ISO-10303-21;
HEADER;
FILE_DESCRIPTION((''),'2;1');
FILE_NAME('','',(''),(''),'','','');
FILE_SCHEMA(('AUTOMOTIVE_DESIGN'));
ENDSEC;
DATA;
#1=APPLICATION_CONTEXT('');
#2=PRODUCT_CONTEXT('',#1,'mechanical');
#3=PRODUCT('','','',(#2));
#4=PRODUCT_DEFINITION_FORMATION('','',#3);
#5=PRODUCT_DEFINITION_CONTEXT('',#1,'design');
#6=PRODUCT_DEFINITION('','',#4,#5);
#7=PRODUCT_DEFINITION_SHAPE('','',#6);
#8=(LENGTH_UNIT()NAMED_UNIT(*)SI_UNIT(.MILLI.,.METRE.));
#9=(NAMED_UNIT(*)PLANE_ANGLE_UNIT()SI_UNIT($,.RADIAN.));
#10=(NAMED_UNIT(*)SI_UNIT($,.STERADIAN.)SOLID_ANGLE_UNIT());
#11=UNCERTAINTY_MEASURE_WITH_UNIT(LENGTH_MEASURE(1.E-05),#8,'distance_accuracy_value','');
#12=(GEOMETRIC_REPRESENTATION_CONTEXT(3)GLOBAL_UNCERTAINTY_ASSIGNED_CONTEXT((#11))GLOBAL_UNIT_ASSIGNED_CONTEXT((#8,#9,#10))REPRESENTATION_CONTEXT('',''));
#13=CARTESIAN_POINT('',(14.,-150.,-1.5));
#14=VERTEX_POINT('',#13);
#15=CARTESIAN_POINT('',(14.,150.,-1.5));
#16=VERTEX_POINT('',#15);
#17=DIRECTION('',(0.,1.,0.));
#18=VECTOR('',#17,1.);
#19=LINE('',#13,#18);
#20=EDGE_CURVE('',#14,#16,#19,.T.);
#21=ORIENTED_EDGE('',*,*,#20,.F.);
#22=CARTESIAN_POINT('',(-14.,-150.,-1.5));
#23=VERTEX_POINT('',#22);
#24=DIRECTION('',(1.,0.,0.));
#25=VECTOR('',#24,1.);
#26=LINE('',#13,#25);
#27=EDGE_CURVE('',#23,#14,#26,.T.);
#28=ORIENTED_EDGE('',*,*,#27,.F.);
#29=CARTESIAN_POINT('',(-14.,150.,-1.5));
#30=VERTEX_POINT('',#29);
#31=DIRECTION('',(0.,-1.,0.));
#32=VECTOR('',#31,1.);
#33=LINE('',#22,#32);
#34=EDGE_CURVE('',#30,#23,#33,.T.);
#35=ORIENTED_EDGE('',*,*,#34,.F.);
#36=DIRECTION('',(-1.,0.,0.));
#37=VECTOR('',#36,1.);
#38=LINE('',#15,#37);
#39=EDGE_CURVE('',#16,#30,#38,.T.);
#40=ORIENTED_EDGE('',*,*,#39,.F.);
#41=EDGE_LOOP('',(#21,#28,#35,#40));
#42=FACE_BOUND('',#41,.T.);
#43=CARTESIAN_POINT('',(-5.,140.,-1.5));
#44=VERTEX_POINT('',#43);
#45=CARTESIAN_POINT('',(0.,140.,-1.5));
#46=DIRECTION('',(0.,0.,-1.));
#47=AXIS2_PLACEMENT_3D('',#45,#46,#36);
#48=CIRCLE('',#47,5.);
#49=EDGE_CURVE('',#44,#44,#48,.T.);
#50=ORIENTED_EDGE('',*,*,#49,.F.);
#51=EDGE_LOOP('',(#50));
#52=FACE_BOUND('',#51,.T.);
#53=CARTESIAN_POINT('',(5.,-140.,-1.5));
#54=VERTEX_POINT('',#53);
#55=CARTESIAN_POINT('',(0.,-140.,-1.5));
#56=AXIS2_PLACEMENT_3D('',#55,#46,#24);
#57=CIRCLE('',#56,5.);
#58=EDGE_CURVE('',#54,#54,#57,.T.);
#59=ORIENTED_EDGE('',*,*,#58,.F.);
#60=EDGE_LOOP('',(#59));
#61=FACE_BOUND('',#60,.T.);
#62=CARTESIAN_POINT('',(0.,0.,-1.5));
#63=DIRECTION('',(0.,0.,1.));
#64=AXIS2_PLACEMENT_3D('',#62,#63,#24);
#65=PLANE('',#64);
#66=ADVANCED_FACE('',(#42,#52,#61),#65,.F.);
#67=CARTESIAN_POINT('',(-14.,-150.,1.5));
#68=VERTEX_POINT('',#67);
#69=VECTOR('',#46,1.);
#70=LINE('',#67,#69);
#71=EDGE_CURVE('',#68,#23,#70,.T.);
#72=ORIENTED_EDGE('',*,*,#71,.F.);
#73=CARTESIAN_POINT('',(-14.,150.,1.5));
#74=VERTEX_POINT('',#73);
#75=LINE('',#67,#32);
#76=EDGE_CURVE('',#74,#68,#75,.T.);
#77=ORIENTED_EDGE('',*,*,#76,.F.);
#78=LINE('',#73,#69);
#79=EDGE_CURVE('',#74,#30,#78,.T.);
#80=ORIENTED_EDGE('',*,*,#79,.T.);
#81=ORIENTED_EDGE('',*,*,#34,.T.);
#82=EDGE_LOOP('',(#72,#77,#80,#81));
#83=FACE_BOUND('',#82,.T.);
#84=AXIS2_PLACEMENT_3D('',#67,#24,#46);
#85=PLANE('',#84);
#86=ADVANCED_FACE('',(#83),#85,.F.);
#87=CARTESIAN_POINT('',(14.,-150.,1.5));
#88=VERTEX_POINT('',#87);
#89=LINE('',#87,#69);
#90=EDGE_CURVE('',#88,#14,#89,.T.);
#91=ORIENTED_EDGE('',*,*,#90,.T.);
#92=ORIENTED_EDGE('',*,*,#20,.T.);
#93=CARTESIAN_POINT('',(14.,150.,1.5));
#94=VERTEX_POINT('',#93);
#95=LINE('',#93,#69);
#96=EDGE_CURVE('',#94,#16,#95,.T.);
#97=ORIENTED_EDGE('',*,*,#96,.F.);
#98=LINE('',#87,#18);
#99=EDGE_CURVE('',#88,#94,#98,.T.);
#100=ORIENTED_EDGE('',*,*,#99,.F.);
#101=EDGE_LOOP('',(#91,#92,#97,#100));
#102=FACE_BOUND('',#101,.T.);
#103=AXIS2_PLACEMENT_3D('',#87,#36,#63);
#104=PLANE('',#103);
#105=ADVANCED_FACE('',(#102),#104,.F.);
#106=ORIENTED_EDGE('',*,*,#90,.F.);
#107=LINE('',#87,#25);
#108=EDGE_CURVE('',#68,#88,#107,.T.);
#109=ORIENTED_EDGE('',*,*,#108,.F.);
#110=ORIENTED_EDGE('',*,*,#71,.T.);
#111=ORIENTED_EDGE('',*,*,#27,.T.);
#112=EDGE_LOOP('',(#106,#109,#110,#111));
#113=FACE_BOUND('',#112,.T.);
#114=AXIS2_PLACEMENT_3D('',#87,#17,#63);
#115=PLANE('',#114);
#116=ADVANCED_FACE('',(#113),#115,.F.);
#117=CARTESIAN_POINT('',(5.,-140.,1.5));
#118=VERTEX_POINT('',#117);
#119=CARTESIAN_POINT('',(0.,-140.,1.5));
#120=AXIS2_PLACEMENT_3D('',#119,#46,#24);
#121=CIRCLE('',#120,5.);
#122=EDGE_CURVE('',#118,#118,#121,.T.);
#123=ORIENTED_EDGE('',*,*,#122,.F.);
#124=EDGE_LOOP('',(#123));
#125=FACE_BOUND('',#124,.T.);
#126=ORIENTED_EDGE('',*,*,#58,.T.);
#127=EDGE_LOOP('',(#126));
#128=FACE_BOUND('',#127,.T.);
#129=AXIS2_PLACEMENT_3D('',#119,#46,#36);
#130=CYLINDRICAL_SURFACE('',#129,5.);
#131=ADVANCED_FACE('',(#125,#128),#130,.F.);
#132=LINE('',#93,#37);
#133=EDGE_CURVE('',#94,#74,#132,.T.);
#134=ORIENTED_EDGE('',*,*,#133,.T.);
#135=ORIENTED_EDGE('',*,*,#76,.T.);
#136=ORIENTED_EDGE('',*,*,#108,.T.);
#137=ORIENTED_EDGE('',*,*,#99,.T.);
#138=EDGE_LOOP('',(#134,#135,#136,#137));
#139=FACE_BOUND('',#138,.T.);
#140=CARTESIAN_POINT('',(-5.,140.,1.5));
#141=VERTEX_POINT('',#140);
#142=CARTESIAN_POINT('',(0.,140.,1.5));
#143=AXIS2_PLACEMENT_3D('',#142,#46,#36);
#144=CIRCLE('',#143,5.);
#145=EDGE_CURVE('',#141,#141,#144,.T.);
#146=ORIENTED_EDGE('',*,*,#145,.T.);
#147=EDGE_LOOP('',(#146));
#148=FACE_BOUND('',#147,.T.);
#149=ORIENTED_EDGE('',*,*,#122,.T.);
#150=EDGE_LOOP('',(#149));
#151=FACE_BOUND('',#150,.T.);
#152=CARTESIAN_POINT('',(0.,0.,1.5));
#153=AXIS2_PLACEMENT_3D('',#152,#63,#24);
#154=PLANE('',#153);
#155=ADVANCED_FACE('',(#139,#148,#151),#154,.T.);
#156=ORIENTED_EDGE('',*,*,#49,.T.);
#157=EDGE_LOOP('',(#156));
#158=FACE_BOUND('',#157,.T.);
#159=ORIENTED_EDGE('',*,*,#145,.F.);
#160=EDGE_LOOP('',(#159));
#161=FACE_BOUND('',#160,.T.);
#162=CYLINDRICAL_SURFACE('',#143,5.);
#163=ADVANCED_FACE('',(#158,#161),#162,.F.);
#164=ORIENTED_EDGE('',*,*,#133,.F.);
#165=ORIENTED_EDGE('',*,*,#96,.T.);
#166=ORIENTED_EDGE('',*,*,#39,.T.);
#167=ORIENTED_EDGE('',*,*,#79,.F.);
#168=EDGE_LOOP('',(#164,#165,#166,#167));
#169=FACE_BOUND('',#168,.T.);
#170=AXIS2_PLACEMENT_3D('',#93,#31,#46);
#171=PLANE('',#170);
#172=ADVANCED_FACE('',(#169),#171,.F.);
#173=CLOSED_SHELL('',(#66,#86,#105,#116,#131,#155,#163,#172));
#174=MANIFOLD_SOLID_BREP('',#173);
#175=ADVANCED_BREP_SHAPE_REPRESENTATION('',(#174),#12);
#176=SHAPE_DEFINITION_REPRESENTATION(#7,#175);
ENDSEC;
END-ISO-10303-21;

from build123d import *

# Parameters (mm, degrees)
CROQUIS1_W              = 28
CROQUIS1_H              = 300
SALIENTE_EXTRUIR1_DEPTH = 1.5
CROQUIS2_R              = 5
CORTAR_EXTRUIR1_DEPTH   = 151.681783902


with BuildPart() as part:
    # Croquis1 → Saliente-Extruir1 (new, symmetric)
    with BuildSketch(Plane.XY):
        Rectangle(CROQUIS1_W, CROQUIS1_H)
    extrude(amount=SALIENTE_EXTRUIR1_DEPTH, both=True)

    # Croquis2 → Cortar-Extruir1 (cut, through all)
    with BuildSketch(Plane(origin=(0, 0, -1.5), x_dir=(-1, 0, 0), z_dir=(0, 0, -1))):
        with Locations((0, 140)):
            Circle(CROQUIS2_R)
        with Locations(Location((0, -140, 0), (0, 0, 180))):
            Circle(CROQUIS2_R)
    extrude(amount=-CORTAR_EXTRUIR1_DEPTH, mode=Mode.SUBTRACT)


solid = part.part
